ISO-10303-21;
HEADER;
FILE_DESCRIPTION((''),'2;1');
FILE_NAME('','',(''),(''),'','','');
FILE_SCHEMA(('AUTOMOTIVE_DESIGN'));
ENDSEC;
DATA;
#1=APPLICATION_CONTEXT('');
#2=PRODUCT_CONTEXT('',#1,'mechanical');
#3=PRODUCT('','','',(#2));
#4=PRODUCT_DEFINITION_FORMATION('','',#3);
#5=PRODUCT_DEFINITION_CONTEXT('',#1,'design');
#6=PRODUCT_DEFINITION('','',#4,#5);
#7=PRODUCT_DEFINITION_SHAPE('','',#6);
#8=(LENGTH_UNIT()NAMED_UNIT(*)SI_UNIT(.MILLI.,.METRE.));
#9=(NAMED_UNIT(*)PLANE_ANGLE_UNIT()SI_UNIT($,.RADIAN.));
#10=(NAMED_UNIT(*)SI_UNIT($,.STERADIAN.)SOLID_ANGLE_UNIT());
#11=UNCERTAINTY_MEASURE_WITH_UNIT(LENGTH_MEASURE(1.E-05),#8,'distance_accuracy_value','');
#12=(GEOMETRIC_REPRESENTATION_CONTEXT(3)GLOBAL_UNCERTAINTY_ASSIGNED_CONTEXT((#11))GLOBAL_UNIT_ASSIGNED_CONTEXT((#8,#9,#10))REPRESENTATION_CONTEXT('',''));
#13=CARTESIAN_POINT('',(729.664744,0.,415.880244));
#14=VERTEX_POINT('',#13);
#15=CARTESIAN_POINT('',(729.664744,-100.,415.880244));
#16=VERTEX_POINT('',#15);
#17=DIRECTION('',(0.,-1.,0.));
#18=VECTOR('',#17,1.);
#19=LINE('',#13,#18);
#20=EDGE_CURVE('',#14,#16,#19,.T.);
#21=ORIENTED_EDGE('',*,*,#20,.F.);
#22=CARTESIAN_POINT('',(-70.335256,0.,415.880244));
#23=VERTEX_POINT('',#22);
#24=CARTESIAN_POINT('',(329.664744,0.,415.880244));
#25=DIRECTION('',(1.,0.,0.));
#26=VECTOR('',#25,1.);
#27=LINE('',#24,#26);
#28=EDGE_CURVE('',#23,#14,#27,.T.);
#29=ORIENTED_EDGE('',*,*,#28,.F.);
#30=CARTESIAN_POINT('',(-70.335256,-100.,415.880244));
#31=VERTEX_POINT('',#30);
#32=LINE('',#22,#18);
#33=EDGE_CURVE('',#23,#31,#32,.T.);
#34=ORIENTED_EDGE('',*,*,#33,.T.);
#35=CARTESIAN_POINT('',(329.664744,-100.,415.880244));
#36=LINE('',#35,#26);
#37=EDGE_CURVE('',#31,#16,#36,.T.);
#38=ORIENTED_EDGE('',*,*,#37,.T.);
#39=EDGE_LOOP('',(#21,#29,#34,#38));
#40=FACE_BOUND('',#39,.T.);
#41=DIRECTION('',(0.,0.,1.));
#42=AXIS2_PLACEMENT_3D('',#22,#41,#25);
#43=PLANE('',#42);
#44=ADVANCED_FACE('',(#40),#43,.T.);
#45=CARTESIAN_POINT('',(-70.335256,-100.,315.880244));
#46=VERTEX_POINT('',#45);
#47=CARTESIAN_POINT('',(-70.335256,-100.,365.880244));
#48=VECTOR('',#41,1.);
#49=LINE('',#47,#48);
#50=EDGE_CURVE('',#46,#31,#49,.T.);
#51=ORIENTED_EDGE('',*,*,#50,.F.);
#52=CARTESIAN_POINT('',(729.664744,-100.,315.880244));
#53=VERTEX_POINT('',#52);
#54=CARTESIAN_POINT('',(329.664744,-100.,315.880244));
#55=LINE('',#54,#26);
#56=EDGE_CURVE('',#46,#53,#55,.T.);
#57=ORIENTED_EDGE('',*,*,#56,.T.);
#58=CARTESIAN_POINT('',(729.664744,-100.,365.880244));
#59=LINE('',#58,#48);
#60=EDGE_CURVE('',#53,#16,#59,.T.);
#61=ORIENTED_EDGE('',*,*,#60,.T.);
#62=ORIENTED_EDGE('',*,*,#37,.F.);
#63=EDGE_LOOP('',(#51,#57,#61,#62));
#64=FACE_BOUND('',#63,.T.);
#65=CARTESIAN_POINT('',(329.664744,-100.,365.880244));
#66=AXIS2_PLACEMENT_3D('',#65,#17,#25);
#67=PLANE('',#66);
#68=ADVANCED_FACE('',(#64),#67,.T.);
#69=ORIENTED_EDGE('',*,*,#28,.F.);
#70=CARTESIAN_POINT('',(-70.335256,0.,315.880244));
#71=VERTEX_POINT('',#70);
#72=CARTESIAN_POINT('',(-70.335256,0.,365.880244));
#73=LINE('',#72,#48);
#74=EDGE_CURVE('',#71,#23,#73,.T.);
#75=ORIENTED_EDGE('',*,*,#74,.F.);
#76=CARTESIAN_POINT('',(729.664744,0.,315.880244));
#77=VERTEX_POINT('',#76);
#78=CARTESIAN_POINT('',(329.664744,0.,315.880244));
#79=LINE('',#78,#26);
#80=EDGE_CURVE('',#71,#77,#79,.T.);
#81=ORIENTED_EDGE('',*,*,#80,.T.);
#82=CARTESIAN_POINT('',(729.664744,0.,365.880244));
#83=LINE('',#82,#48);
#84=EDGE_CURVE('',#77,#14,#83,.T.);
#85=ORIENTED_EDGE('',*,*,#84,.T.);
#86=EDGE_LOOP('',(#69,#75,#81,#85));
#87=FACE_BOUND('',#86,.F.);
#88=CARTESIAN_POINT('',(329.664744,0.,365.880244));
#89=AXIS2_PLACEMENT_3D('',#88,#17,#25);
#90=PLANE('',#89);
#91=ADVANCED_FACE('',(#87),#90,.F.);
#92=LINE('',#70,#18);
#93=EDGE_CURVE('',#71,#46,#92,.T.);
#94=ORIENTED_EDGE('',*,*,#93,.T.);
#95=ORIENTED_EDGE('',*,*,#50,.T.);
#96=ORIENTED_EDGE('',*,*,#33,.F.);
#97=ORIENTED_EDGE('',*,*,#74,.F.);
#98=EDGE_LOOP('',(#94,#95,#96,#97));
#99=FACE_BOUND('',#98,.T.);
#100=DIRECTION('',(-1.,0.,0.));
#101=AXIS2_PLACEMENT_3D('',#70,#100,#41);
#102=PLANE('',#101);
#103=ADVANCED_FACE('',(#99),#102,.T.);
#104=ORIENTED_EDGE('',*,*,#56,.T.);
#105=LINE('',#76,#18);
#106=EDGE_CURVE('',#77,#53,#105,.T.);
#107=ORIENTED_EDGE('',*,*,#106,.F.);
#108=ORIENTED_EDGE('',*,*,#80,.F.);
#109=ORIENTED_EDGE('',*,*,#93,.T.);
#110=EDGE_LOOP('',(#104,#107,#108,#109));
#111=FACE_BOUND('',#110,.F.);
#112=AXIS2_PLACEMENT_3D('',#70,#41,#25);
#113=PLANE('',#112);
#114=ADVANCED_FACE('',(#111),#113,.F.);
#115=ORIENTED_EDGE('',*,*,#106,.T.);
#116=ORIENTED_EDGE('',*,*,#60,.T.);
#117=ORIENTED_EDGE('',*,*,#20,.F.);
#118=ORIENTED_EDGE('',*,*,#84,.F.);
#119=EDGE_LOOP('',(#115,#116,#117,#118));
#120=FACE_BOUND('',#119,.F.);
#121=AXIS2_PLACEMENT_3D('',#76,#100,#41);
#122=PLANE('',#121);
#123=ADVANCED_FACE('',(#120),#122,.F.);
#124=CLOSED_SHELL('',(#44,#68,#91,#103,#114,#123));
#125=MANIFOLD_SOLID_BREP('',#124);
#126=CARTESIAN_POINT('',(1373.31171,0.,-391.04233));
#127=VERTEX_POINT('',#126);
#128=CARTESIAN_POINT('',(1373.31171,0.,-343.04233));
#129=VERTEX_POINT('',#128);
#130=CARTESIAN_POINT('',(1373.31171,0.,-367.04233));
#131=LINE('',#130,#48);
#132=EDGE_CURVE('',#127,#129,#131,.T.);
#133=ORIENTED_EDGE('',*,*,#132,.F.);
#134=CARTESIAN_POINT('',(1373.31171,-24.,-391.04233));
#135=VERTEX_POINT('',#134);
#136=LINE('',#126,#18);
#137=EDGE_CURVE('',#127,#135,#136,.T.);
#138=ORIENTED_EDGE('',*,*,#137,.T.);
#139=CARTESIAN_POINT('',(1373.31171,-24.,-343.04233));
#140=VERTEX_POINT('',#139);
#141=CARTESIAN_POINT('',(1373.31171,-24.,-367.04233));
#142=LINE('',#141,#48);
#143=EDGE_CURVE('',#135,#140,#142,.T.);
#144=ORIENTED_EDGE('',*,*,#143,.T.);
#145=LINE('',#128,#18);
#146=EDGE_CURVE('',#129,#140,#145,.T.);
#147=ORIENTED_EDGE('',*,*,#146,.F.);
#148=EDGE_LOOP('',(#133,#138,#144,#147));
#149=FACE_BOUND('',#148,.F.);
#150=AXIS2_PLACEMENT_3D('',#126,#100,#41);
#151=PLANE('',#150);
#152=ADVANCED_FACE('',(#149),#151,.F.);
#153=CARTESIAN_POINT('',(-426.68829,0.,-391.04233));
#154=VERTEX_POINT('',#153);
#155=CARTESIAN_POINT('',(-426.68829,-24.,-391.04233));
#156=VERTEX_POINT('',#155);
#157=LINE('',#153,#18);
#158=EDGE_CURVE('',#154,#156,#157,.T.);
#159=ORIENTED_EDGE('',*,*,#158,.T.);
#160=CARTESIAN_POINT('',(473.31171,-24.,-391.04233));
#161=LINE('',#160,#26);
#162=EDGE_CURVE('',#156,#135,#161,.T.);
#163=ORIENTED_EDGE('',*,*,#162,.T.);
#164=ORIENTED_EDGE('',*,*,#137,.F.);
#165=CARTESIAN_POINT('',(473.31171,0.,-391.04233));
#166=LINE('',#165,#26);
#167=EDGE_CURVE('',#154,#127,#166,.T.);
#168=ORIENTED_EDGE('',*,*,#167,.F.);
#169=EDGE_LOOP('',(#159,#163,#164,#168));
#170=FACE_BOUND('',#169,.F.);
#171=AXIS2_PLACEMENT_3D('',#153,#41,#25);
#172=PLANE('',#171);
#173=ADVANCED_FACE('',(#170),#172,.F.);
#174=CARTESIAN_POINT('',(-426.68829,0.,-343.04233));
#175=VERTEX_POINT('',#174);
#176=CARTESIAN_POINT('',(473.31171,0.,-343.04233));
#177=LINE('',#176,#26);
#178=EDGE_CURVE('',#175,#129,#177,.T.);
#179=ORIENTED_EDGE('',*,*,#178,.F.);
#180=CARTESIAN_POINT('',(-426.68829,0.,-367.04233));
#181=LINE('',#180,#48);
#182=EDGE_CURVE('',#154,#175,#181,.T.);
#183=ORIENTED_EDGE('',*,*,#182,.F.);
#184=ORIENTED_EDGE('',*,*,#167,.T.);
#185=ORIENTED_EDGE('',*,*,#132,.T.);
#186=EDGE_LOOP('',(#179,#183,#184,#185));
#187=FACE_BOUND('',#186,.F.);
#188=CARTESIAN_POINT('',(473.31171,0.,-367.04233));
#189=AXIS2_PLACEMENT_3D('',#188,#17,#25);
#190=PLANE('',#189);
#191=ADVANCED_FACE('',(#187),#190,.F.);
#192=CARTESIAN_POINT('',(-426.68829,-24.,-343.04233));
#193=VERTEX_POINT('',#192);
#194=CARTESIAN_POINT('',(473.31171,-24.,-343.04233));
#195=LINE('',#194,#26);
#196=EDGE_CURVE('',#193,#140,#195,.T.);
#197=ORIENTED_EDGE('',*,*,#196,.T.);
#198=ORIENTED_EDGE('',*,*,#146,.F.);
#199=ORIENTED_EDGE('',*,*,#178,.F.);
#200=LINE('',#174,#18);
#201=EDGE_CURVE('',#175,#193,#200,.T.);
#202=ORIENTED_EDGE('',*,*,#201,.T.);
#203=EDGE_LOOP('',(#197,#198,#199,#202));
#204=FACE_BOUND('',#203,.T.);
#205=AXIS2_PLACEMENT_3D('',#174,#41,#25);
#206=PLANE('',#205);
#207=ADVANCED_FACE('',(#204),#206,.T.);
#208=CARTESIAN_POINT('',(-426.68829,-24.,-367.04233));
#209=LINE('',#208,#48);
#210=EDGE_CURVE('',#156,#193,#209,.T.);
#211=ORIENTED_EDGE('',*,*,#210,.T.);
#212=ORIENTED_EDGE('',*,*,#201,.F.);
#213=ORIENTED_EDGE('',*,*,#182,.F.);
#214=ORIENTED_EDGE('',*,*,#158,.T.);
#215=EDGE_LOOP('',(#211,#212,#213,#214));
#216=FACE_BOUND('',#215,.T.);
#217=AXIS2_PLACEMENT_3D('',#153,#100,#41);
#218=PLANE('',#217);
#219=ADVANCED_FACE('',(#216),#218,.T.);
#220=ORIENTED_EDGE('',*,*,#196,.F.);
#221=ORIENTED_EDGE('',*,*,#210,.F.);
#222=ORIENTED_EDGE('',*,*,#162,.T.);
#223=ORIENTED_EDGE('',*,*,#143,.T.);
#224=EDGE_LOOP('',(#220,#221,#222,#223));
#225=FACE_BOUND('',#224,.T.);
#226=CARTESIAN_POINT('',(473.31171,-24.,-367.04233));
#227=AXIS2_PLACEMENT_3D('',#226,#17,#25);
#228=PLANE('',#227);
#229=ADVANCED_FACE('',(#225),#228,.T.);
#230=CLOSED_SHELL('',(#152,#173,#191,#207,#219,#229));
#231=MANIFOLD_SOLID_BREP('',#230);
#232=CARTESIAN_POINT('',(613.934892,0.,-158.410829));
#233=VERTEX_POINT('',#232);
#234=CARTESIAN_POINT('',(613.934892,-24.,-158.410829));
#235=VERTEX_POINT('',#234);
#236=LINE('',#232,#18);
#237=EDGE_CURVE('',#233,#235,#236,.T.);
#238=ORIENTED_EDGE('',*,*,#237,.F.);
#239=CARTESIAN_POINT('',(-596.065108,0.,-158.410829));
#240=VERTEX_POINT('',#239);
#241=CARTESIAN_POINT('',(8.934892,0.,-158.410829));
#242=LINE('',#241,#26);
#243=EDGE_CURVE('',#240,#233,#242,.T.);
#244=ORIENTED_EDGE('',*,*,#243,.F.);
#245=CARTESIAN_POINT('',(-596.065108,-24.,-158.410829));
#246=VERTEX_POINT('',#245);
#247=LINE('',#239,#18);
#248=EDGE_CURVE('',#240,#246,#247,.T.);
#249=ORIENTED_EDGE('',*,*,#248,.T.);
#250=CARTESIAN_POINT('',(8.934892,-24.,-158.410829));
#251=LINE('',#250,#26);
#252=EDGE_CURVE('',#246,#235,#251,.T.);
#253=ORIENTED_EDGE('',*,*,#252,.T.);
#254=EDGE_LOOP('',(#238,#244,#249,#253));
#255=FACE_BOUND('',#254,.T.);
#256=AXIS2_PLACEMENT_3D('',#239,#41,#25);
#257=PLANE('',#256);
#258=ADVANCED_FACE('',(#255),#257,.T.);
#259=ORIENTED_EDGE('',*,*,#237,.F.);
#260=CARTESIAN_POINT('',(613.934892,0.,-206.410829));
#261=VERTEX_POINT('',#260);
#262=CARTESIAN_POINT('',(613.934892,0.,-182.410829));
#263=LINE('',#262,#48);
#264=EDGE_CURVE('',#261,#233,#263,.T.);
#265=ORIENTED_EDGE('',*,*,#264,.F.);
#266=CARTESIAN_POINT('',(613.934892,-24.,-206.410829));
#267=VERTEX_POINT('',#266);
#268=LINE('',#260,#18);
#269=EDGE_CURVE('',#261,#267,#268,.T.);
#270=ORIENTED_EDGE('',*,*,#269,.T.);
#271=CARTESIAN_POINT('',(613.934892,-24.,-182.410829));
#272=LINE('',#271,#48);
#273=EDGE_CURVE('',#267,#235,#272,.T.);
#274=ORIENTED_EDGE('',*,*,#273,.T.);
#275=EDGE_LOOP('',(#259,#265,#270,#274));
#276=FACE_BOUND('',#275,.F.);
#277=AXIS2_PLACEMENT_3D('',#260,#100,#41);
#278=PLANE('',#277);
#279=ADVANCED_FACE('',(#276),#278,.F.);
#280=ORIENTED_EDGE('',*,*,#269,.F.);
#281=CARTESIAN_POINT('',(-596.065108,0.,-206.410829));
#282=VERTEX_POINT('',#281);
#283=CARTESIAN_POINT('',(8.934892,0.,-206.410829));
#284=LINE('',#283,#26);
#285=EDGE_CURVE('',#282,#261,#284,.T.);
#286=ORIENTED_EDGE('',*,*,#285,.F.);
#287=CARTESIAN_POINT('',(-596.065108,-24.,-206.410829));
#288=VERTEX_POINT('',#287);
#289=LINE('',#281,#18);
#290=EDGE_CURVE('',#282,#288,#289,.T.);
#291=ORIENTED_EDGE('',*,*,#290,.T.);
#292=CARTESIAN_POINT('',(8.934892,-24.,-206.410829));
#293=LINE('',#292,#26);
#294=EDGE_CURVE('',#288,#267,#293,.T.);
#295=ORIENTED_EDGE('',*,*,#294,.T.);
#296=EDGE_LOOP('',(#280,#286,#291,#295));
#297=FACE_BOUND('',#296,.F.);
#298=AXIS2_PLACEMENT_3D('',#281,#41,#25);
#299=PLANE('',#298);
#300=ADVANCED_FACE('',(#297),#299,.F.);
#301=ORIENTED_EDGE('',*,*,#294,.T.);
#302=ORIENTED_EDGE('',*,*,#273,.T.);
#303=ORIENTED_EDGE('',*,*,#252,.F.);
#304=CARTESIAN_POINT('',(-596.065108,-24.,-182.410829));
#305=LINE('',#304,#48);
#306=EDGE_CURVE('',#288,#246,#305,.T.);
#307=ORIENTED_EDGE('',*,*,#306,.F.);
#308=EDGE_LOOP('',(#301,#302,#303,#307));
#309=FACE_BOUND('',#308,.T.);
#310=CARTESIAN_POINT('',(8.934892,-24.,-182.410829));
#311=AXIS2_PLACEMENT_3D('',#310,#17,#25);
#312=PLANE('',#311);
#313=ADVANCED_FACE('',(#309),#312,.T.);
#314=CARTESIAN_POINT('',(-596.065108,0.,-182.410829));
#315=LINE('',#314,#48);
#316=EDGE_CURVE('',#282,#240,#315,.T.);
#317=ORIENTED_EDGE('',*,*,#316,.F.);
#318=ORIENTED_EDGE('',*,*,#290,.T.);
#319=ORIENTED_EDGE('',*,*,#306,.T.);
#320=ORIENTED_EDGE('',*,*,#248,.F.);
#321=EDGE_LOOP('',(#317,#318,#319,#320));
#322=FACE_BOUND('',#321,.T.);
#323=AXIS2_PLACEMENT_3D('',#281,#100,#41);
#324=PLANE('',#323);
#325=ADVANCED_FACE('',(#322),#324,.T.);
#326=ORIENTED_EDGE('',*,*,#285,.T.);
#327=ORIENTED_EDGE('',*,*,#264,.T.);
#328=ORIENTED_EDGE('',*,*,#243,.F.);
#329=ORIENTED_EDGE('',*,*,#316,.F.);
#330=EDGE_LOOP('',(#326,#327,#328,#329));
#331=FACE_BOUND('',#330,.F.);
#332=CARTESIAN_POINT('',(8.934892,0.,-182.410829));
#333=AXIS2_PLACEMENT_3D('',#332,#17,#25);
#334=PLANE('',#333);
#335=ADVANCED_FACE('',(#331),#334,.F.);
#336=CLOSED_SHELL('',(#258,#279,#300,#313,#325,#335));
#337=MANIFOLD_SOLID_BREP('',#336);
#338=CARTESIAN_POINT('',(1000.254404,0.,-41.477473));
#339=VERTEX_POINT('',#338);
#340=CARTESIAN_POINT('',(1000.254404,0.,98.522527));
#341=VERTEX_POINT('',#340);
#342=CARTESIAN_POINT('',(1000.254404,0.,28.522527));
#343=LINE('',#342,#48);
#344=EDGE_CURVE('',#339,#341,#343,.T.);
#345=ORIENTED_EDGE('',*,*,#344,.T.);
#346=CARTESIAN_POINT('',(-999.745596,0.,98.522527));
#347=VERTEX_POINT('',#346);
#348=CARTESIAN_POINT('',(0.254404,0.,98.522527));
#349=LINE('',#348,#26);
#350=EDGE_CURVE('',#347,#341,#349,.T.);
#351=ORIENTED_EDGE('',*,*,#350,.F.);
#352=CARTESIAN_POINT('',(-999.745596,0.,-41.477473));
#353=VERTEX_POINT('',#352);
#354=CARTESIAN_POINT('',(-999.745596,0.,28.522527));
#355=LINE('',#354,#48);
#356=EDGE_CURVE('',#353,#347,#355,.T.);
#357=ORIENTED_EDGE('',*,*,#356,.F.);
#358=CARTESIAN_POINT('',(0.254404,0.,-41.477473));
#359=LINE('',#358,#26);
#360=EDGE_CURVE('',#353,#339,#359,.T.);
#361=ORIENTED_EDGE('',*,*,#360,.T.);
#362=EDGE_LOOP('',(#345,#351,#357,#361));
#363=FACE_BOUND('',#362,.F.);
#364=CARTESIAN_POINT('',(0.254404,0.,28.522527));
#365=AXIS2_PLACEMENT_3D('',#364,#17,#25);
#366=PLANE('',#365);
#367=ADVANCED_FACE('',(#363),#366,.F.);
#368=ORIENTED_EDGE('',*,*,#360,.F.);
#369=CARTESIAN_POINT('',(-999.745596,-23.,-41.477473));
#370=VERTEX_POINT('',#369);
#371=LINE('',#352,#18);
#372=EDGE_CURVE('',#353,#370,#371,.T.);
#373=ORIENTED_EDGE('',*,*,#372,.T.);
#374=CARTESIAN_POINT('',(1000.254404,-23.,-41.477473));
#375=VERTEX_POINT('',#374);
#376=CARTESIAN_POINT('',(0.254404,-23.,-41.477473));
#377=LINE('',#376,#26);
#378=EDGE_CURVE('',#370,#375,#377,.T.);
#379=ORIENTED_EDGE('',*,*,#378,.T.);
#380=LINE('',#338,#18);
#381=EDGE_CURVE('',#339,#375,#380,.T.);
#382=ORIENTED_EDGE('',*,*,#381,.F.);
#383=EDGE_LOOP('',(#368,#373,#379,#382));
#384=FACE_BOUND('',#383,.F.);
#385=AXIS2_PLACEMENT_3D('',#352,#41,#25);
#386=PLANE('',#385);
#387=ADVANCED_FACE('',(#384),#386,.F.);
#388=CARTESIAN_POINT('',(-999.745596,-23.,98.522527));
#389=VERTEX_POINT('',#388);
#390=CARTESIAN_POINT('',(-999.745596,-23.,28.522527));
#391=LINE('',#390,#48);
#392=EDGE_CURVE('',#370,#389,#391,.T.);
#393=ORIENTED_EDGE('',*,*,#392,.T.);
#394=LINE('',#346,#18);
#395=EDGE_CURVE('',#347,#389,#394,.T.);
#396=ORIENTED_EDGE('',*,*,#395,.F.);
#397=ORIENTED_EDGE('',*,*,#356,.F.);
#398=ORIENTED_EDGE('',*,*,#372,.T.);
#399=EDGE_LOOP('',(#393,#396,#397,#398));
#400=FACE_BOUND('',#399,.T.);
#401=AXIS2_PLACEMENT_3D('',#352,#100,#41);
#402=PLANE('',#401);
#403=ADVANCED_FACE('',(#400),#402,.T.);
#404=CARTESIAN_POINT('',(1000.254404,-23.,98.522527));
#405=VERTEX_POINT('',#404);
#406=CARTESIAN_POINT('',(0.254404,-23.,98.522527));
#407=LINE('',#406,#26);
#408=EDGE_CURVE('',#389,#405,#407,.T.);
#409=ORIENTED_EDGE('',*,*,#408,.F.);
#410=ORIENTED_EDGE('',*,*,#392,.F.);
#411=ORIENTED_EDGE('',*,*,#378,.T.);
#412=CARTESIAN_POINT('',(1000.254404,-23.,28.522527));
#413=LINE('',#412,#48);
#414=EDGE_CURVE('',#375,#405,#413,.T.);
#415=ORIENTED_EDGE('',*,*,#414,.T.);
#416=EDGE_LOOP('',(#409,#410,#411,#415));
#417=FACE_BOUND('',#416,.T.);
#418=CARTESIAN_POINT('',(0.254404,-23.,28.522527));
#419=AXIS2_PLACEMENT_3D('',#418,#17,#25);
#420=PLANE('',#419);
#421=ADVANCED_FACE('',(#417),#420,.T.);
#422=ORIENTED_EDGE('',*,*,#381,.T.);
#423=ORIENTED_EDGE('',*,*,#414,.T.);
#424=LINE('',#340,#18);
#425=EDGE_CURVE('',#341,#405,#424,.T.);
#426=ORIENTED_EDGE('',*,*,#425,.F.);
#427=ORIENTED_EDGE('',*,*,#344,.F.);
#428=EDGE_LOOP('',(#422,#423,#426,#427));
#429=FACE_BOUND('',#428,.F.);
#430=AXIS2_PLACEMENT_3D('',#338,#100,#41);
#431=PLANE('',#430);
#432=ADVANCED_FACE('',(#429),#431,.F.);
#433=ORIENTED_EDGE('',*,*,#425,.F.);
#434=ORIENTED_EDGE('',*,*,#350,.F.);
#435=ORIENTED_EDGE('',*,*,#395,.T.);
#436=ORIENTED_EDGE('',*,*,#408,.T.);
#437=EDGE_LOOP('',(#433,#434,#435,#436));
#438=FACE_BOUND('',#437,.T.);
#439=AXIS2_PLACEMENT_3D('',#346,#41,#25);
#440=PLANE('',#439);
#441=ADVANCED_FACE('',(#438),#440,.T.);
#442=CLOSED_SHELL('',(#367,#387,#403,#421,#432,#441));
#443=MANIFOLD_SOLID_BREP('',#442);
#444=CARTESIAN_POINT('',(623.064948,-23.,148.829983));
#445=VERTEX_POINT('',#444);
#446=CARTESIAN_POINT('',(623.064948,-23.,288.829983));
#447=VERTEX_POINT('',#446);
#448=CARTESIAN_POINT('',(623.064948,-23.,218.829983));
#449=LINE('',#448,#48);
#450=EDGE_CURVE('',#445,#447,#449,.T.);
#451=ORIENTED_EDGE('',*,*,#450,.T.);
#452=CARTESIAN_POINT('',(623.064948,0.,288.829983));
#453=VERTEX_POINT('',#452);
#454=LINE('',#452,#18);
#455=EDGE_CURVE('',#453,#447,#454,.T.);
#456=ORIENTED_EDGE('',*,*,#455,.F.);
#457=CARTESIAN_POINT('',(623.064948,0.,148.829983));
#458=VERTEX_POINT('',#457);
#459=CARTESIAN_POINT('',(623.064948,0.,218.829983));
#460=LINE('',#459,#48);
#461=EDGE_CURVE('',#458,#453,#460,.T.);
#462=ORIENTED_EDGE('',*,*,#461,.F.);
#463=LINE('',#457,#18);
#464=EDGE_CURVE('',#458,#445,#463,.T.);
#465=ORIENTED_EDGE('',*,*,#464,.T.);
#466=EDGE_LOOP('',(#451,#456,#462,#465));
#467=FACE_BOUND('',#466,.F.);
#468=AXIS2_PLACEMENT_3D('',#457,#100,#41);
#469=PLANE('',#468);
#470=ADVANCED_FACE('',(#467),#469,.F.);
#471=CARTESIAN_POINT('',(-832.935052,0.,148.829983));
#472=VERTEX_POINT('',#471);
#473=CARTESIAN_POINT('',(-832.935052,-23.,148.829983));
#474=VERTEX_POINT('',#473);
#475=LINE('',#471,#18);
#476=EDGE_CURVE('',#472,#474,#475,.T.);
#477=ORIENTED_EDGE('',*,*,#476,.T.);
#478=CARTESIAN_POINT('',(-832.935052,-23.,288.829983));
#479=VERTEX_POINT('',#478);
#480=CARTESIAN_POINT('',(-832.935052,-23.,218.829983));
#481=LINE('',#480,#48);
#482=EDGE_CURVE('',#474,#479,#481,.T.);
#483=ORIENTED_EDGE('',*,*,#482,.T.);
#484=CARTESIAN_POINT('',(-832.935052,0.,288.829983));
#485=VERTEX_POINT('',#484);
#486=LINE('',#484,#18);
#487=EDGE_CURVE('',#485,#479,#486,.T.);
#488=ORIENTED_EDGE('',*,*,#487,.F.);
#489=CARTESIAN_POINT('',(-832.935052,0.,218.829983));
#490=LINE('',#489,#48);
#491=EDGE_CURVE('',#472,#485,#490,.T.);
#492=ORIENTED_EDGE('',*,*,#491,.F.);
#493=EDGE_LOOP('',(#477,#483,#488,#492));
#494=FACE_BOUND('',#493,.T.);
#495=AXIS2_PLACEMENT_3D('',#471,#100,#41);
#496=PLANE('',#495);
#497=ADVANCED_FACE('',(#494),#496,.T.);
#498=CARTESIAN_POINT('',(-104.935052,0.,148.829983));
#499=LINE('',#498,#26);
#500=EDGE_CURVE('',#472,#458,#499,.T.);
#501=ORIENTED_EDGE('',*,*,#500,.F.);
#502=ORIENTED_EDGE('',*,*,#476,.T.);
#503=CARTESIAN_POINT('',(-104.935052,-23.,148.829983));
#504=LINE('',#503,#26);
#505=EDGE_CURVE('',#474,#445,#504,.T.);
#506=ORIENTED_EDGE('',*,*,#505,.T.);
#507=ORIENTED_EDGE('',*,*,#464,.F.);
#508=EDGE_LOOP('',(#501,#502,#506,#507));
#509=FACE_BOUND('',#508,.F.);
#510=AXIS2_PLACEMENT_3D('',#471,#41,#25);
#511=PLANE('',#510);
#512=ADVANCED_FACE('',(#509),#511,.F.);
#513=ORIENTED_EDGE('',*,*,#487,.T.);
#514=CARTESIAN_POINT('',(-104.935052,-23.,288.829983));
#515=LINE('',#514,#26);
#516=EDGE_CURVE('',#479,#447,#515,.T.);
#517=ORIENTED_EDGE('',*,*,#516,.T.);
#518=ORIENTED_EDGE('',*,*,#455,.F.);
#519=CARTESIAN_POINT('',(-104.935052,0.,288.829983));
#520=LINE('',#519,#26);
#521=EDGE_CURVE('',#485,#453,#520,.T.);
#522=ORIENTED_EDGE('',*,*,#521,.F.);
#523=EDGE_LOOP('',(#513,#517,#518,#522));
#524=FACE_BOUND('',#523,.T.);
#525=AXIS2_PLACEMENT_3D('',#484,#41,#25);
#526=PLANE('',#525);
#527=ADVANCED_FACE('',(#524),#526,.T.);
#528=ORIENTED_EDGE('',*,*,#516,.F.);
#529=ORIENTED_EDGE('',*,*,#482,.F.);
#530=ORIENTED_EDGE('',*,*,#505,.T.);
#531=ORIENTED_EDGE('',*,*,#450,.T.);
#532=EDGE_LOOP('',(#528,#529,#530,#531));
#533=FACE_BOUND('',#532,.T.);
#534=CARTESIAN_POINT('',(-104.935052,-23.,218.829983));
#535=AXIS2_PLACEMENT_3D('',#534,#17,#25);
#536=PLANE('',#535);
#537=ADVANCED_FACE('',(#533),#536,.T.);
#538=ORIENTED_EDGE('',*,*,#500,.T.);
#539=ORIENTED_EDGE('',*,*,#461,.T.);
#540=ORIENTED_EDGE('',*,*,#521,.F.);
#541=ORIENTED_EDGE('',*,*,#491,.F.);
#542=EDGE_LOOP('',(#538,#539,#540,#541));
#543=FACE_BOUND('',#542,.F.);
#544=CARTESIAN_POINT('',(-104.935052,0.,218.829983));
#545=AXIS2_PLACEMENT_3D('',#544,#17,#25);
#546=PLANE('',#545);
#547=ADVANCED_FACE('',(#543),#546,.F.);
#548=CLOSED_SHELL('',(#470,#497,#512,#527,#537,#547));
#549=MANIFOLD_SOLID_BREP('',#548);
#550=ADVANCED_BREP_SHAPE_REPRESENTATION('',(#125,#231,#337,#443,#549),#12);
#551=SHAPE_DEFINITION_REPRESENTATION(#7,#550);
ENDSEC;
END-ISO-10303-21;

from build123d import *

# Parameters (mm, degrees)
F0_W     = 2000
F0_H     = 140
F1_DEPTH = 23
F2_W     = 1456
F2_H     = 140
F3_DEPTH = 23
F4_W     = 800
F4_H     = 100
F5_DEPTH = 100
F6_W     = 1800
F6_H     = 48
F7_DEPTH = 24
F8_W     = 1210
F8_H     = 48
F9_DEPTH = 24


with BuildPart() as f1:
    # F0 (on Front) → F1 (new body)
    with BuildSketch(Plane.XZ):
        with Locations((0.254404, 28.522527)):
            Rectangle(F0_W, F0_H)
    extrude(amount=F1_DEPTH)


with BuildPart() as f3:
    # F2 (on Front) → F3 (new body)
    with BuildSketch(Plane.XZ):
        with Locations((-104.935052, 218.829983)):
            Rectangle(F2_W, F2_H)
    extrude(amount=F3_DEPTH)


with BuildPart() as f5:
    # F4 (on Front) → F5 (new body)
    with BuildSketch(Plane.XZ):
        with Locations((329.664744, 365.880244)):
            Rectangle(F4_W, F4_H)
    extrude(amount=F5_DEPTH)


with BuildPart() as f7:
    # F6 (on Front) → F7 (new body)
    with BuildSketch(Plane.XZ):
        with Locations((473.31171, -367.04233)):
            Rectangle(F6_W, F6_H)
    extrude(amount=F7_DEPTH)


with BuildPart() as f9:
    # F8 (on Front) → F9 (new body)
    with BuildSketch(Plane.XZ):
        with Locations((8.934892, -182.410829)):
            Rectangle(F8_W, F8_H)
    extrude(amount=F9_DEPTH)


solid = Compound([f1.part, f3.part, f5.part, f7.part, f9.part])
